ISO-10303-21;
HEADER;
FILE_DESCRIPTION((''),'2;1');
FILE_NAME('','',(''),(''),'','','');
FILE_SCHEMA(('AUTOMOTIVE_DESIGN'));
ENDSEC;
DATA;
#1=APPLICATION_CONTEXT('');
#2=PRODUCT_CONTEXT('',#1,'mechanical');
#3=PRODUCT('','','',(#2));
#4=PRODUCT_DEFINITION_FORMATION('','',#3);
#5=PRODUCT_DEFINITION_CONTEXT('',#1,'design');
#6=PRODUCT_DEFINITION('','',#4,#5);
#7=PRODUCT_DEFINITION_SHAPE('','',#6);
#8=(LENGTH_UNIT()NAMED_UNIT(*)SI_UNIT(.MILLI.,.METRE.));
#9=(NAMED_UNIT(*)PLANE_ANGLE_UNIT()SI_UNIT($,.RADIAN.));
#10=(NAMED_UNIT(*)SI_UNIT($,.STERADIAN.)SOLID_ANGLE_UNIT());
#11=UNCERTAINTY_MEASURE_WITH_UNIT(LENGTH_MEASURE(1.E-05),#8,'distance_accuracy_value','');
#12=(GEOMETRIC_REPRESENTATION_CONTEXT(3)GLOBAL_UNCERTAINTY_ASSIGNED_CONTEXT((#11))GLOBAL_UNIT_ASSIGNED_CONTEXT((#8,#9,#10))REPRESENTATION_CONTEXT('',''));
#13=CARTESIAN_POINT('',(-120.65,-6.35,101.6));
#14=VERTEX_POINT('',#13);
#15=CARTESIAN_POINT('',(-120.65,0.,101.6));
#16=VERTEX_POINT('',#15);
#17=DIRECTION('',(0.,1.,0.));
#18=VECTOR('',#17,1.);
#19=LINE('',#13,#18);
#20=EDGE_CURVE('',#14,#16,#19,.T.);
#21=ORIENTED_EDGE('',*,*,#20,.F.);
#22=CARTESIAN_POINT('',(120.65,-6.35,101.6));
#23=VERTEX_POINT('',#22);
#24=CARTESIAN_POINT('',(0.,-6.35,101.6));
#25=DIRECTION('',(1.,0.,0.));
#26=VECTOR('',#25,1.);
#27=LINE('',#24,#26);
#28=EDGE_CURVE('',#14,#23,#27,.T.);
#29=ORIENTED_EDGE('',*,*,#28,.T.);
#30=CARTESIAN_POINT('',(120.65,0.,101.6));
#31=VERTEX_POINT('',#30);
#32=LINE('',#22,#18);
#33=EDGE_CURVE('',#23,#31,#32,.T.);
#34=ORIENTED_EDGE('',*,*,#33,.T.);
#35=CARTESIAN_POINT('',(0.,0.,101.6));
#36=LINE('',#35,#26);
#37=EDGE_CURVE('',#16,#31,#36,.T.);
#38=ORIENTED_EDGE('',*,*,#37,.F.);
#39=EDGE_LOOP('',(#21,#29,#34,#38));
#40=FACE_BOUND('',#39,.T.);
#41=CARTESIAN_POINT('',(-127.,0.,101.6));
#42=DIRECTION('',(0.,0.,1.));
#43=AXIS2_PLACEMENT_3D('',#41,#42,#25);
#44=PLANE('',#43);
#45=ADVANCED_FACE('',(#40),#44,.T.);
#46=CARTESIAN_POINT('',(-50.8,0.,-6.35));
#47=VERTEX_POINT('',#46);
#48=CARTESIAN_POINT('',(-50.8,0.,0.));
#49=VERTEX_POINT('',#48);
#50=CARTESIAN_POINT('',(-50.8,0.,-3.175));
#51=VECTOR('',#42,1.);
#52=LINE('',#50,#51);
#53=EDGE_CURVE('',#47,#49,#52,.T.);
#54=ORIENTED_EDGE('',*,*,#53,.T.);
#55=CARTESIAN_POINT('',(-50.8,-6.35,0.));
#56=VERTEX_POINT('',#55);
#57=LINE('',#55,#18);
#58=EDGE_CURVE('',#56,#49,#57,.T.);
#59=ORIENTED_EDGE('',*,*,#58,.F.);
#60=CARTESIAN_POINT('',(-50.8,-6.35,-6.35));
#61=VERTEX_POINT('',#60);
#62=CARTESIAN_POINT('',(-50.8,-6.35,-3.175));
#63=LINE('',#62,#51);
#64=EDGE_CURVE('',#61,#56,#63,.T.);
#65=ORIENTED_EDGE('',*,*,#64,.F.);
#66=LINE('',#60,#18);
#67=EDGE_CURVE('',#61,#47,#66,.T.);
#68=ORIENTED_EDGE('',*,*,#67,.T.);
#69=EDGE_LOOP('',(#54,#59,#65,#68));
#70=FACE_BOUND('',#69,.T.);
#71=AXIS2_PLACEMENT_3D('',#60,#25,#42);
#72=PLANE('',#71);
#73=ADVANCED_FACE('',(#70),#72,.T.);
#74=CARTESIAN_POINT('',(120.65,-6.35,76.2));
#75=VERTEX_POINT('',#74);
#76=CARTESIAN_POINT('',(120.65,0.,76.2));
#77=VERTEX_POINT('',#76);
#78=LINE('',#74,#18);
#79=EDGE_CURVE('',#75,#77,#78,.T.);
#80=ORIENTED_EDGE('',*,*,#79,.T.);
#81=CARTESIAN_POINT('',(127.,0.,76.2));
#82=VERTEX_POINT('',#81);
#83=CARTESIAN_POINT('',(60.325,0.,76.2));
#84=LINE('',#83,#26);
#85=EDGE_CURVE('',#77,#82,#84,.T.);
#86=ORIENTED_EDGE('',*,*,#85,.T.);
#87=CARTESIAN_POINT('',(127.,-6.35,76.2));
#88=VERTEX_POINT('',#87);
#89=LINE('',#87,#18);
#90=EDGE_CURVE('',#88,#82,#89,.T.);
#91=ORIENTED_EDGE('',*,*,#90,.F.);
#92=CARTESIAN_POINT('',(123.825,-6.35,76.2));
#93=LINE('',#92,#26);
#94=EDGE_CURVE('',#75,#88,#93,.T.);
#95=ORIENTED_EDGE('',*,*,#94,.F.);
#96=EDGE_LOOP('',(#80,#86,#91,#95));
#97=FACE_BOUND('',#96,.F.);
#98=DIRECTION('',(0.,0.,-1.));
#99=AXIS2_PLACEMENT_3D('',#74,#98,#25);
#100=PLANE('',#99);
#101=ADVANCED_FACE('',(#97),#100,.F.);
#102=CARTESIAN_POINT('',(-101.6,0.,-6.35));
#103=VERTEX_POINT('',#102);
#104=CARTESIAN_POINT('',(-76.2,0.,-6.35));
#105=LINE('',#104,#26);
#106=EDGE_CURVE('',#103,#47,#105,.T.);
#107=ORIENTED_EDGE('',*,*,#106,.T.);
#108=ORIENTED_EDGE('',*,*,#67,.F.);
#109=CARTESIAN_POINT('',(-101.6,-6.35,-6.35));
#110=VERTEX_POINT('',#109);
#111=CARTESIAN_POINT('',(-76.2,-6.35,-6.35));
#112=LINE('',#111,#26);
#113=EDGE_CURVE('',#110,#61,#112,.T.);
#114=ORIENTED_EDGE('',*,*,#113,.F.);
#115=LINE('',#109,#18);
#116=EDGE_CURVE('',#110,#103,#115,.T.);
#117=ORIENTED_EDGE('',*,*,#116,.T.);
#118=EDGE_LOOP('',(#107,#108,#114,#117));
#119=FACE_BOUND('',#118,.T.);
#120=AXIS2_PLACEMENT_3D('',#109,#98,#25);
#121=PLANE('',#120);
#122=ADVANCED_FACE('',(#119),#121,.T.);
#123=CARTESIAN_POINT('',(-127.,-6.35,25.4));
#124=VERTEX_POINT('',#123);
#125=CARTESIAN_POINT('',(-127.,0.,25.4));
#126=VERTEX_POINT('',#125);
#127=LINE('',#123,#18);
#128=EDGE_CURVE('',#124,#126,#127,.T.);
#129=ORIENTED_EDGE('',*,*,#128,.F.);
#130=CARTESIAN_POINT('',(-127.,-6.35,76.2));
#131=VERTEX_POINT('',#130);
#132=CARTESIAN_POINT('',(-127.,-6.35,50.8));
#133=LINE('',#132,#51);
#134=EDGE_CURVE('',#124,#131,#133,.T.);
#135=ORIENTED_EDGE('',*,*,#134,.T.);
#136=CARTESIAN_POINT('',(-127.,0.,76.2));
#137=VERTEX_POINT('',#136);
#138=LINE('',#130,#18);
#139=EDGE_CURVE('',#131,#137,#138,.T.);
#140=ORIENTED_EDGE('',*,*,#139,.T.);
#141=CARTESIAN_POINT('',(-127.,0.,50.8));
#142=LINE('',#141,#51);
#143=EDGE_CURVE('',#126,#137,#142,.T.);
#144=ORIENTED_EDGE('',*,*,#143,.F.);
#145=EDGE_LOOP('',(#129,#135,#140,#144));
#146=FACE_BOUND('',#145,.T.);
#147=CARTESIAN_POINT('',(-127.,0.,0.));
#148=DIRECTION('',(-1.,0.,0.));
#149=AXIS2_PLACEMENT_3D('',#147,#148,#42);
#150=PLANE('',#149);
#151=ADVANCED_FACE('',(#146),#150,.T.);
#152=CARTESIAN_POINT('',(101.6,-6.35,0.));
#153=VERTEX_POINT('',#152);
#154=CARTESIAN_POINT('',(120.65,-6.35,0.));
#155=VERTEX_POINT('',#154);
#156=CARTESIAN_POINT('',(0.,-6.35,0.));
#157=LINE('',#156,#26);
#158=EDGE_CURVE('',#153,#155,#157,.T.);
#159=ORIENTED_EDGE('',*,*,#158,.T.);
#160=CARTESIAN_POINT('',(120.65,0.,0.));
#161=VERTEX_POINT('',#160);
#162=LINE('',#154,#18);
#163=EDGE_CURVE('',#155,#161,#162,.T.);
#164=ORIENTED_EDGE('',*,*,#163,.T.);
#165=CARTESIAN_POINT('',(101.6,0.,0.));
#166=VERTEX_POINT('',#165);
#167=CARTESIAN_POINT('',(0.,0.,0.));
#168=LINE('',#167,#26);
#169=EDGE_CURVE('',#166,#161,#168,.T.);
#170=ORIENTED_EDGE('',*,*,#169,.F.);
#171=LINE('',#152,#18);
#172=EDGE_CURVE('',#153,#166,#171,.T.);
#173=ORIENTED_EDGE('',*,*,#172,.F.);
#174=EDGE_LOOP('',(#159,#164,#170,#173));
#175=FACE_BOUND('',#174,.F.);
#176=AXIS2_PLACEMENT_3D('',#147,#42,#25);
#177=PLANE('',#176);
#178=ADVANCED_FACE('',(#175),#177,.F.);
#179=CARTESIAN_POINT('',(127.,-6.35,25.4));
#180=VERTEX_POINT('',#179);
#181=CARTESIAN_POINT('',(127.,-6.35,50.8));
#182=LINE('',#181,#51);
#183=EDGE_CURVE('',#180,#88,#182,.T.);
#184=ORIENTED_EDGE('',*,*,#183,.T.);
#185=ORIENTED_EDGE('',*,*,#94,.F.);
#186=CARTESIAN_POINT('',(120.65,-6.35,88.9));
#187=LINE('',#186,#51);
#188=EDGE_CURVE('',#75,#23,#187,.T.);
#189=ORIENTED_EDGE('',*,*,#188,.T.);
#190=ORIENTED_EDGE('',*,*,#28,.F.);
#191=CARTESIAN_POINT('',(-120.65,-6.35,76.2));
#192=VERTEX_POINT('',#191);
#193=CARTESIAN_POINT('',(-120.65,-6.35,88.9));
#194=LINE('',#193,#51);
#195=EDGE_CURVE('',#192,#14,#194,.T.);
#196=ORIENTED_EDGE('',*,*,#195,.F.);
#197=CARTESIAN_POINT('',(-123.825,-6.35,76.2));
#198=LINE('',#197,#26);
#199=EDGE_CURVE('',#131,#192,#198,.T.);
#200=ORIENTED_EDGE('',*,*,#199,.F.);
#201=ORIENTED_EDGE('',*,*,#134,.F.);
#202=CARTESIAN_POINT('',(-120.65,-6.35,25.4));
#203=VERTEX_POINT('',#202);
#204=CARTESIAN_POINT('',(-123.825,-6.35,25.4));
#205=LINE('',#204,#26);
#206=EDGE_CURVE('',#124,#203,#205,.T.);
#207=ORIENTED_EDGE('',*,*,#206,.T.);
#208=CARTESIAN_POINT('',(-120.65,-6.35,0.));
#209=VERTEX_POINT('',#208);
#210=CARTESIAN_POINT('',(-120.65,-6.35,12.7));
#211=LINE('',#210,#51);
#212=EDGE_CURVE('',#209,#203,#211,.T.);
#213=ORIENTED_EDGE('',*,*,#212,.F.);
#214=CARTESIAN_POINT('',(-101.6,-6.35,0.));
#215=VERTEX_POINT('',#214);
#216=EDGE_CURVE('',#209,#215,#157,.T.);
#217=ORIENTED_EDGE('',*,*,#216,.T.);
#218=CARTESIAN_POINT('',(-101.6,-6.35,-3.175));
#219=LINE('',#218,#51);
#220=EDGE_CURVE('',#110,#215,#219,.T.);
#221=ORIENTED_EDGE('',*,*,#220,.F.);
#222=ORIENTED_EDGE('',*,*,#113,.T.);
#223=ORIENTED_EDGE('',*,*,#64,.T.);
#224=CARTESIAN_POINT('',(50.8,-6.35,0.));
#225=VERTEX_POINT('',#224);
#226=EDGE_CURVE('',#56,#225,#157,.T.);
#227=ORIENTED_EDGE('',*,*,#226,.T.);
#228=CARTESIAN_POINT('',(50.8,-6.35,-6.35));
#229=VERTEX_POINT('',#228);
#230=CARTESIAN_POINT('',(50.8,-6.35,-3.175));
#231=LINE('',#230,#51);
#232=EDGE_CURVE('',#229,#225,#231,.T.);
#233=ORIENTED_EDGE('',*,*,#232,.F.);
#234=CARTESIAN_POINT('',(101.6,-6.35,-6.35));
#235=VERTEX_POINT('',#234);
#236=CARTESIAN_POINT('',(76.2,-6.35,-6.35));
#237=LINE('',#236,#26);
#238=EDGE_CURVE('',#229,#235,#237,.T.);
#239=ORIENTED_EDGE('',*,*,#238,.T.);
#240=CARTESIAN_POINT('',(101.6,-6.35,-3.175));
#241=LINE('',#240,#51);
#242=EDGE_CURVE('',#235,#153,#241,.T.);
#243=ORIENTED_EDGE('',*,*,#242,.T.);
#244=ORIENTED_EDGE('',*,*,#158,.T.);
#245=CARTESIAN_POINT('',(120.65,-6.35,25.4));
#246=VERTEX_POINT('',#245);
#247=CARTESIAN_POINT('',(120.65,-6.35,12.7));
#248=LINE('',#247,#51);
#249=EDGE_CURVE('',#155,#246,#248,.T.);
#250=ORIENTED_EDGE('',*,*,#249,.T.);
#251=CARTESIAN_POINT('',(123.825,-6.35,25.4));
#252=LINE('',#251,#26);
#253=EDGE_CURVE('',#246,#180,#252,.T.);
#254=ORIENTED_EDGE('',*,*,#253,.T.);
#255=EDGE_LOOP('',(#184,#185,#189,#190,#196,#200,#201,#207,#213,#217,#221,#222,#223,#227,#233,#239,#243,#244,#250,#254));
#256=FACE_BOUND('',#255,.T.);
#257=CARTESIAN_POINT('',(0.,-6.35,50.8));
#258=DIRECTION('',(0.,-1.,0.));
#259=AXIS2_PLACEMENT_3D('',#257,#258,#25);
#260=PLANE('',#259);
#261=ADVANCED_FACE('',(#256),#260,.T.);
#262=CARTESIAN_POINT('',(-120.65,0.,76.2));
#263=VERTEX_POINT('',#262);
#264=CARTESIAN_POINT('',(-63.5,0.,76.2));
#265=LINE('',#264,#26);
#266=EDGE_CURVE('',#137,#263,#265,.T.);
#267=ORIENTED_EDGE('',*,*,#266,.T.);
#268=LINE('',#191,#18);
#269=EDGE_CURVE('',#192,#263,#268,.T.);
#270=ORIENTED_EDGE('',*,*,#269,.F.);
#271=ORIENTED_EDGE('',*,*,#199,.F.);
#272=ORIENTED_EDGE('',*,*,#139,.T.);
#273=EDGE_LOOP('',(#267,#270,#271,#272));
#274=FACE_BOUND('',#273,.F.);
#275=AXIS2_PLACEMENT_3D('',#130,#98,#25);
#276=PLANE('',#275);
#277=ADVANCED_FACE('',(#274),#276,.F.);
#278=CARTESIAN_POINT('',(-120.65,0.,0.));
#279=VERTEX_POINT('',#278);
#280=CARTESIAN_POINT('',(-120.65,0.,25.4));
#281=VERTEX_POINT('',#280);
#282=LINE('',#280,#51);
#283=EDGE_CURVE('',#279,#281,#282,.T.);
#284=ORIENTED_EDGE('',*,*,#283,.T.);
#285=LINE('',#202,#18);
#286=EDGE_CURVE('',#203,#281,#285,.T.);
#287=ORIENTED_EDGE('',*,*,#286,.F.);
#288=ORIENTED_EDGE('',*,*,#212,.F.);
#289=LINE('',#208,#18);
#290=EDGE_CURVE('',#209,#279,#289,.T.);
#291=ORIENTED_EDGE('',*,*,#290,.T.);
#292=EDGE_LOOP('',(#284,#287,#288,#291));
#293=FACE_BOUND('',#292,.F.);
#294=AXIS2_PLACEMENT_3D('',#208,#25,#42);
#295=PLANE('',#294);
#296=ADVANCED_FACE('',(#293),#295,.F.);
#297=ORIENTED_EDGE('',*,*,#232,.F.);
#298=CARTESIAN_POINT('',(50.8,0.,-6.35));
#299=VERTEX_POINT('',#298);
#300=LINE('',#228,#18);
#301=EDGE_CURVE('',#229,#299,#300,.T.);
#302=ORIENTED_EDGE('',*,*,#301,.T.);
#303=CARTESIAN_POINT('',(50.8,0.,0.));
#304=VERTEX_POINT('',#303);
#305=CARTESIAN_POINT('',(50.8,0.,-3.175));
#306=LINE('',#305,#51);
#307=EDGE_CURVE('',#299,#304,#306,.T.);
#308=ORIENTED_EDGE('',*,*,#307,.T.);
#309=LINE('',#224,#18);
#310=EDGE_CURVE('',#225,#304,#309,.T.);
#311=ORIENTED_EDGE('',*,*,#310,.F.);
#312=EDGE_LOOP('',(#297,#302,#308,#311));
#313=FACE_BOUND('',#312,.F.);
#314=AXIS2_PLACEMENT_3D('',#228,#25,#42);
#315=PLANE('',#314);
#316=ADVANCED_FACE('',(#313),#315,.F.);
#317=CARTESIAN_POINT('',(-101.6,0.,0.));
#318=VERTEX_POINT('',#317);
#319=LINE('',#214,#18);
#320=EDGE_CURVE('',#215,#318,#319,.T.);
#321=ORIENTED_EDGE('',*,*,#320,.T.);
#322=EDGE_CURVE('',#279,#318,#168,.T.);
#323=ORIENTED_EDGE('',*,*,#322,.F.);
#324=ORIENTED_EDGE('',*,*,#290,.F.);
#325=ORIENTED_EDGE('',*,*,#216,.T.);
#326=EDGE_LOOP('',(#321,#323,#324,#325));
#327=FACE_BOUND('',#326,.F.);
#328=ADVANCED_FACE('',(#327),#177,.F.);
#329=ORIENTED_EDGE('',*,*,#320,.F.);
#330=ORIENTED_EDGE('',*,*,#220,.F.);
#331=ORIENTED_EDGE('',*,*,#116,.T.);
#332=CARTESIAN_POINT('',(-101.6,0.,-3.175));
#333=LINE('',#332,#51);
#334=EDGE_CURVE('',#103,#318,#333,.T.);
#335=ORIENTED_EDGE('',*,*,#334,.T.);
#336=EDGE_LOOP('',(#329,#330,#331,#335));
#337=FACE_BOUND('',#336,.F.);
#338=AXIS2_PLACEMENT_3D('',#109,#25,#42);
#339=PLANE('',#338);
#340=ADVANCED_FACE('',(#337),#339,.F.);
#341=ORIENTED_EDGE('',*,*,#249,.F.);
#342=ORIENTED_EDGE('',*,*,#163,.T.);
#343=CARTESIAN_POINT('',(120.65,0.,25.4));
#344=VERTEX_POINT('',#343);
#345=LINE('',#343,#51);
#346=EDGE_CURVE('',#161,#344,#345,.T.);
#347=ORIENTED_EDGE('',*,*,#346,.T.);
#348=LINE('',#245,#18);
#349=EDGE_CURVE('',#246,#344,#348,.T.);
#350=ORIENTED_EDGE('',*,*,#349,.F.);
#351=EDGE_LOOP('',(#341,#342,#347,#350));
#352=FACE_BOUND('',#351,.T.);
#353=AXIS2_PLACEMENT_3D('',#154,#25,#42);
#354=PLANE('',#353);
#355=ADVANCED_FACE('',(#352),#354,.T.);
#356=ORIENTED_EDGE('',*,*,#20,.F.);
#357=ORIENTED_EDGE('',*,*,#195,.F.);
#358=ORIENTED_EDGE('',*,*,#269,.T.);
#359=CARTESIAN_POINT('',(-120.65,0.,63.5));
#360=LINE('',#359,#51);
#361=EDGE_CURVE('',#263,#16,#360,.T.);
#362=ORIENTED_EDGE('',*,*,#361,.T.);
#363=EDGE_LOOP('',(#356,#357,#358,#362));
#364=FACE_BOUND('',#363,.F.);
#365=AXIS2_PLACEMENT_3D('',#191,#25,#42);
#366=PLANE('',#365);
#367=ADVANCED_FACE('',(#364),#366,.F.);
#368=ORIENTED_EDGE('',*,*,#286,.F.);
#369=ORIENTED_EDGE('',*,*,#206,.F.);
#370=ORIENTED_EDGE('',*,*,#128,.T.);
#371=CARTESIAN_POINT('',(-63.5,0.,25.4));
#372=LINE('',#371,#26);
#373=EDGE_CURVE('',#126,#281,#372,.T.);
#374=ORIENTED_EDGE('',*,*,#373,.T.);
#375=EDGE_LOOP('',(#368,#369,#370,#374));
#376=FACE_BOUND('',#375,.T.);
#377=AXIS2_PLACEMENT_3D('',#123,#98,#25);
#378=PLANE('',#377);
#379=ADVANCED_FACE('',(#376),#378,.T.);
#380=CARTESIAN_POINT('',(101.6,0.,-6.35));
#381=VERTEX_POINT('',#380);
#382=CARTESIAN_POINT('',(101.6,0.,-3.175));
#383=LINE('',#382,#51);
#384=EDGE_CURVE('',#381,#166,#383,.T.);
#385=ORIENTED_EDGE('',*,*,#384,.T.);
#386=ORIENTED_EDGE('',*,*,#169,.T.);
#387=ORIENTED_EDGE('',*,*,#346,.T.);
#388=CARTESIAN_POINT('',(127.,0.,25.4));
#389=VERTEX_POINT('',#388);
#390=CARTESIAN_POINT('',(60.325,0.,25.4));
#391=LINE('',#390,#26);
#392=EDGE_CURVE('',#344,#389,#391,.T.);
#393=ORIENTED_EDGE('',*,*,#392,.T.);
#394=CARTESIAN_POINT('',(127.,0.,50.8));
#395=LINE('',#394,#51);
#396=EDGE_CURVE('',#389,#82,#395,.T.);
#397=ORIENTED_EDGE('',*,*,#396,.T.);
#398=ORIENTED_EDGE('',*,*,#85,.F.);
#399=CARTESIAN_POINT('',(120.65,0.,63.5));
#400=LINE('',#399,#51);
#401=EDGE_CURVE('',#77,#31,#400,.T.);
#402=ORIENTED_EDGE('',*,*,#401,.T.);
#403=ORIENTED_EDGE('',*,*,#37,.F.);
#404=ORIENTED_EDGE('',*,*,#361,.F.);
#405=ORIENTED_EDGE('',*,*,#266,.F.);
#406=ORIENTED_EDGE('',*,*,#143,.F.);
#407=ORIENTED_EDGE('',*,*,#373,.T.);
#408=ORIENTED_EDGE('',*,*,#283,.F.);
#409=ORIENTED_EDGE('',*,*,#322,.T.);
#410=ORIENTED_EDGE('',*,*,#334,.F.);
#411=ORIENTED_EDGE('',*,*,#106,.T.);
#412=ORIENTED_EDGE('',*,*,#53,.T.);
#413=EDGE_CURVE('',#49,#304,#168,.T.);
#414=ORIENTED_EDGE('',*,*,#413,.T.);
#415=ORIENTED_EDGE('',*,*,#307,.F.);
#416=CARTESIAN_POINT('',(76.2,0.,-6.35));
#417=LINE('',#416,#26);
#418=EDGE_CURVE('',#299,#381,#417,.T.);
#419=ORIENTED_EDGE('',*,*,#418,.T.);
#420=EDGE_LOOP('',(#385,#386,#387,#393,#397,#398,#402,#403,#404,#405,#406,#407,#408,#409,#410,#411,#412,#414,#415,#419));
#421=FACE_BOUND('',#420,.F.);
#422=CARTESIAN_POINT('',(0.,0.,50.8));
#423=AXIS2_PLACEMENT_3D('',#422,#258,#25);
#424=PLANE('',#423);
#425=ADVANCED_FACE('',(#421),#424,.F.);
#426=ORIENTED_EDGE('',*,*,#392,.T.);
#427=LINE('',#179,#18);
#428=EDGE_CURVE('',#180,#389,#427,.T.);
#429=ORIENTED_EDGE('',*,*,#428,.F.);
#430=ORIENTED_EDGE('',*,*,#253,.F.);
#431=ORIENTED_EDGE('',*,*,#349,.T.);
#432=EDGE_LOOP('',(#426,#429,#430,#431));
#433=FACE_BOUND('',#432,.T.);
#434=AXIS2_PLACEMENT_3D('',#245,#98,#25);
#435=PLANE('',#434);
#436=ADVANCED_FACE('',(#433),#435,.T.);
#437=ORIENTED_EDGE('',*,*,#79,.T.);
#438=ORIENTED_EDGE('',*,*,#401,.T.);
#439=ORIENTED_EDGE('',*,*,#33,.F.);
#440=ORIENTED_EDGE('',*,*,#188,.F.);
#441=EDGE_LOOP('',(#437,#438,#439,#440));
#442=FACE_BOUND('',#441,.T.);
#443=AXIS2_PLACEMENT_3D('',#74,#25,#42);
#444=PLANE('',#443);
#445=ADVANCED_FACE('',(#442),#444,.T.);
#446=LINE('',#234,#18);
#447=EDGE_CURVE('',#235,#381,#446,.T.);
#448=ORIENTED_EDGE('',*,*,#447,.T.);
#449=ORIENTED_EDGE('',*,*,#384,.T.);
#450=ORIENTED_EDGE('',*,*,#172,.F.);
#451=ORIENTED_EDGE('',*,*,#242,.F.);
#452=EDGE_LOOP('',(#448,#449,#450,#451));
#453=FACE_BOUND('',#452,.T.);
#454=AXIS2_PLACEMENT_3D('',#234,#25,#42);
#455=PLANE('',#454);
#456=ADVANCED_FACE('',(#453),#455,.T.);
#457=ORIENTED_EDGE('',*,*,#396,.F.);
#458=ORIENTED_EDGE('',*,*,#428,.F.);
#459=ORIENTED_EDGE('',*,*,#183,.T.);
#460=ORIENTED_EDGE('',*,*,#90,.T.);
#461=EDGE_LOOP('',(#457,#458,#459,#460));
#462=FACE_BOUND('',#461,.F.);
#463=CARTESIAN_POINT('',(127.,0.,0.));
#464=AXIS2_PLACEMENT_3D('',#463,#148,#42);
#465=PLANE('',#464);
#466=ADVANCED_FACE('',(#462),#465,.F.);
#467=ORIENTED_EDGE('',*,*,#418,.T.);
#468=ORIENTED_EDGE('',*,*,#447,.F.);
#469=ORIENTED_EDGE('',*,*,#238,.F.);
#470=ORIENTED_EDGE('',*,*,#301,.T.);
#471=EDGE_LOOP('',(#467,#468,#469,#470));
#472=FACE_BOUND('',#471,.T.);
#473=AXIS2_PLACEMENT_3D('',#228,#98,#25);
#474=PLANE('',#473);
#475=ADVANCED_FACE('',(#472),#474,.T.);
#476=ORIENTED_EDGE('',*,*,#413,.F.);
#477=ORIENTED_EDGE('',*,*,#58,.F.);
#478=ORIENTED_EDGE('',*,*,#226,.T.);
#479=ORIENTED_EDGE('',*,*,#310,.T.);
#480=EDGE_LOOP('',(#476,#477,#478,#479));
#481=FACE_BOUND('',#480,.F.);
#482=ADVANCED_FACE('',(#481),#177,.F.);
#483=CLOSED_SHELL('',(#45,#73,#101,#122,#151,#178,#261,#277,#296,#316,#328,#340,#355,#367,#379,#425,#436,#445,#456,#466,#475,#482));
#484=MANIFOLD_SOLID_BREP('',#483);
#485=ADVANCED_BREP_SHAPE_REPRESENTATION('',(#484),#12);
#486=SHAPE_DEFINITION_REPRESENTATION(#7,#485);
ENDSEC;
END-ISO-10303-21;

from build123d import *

# Parameters (mm, degrees)
F0_W     = 254
F0_H     = 101.6
F1_DEPTH = 6.35
F2_W     = 50.8
F2_H     = 6.35
F3_DEPTH = 6.35
F4_W     = 6.35
F4_H     = 25.4
F5_DEPTH = 25.4


with BuildPart() as f1:
    # F0 (on Front) → F1 (new body)
    with BuildSketch(Plane.XZ):
        with Locations((0, 50.8)):
            Rectangle(F0_W, F0_H)
    extrude(amount=F1_DEPTH)

    # F2 (on face) → F3 (join)
    with BuildSketch(Plane.XZ.offset(6.35)):
        with Locations((76.2, -3.175)):
            Rectangle(F2_W, F2_H)
        with Locations((-76.2, -3.175)):
            Rectangle(F2_W, F2_H)
    extrude(amount=-F3_DEPTH)

    # F4 (on face) → F5 (cut)
    with BuildSketch(Plane.XZ.offset(6.35)):
        with Locations((123.825, 88.9)):
            Rectangle(F4_W, F4_H)
        with Locations((123.825, 12.7)):
            Rectangle(F4_W, F4_H)
        with Locations((-123.825, 12.7)):
            Rectangle(F4_W, F4_H)
        with Locations((-123.825, 88.9)):
            Rectangle(F4_W, F4_H)
    extrude(amount=-F5_DEPTH, mode=Mode.SUBTRACT)


solid = f1.part
